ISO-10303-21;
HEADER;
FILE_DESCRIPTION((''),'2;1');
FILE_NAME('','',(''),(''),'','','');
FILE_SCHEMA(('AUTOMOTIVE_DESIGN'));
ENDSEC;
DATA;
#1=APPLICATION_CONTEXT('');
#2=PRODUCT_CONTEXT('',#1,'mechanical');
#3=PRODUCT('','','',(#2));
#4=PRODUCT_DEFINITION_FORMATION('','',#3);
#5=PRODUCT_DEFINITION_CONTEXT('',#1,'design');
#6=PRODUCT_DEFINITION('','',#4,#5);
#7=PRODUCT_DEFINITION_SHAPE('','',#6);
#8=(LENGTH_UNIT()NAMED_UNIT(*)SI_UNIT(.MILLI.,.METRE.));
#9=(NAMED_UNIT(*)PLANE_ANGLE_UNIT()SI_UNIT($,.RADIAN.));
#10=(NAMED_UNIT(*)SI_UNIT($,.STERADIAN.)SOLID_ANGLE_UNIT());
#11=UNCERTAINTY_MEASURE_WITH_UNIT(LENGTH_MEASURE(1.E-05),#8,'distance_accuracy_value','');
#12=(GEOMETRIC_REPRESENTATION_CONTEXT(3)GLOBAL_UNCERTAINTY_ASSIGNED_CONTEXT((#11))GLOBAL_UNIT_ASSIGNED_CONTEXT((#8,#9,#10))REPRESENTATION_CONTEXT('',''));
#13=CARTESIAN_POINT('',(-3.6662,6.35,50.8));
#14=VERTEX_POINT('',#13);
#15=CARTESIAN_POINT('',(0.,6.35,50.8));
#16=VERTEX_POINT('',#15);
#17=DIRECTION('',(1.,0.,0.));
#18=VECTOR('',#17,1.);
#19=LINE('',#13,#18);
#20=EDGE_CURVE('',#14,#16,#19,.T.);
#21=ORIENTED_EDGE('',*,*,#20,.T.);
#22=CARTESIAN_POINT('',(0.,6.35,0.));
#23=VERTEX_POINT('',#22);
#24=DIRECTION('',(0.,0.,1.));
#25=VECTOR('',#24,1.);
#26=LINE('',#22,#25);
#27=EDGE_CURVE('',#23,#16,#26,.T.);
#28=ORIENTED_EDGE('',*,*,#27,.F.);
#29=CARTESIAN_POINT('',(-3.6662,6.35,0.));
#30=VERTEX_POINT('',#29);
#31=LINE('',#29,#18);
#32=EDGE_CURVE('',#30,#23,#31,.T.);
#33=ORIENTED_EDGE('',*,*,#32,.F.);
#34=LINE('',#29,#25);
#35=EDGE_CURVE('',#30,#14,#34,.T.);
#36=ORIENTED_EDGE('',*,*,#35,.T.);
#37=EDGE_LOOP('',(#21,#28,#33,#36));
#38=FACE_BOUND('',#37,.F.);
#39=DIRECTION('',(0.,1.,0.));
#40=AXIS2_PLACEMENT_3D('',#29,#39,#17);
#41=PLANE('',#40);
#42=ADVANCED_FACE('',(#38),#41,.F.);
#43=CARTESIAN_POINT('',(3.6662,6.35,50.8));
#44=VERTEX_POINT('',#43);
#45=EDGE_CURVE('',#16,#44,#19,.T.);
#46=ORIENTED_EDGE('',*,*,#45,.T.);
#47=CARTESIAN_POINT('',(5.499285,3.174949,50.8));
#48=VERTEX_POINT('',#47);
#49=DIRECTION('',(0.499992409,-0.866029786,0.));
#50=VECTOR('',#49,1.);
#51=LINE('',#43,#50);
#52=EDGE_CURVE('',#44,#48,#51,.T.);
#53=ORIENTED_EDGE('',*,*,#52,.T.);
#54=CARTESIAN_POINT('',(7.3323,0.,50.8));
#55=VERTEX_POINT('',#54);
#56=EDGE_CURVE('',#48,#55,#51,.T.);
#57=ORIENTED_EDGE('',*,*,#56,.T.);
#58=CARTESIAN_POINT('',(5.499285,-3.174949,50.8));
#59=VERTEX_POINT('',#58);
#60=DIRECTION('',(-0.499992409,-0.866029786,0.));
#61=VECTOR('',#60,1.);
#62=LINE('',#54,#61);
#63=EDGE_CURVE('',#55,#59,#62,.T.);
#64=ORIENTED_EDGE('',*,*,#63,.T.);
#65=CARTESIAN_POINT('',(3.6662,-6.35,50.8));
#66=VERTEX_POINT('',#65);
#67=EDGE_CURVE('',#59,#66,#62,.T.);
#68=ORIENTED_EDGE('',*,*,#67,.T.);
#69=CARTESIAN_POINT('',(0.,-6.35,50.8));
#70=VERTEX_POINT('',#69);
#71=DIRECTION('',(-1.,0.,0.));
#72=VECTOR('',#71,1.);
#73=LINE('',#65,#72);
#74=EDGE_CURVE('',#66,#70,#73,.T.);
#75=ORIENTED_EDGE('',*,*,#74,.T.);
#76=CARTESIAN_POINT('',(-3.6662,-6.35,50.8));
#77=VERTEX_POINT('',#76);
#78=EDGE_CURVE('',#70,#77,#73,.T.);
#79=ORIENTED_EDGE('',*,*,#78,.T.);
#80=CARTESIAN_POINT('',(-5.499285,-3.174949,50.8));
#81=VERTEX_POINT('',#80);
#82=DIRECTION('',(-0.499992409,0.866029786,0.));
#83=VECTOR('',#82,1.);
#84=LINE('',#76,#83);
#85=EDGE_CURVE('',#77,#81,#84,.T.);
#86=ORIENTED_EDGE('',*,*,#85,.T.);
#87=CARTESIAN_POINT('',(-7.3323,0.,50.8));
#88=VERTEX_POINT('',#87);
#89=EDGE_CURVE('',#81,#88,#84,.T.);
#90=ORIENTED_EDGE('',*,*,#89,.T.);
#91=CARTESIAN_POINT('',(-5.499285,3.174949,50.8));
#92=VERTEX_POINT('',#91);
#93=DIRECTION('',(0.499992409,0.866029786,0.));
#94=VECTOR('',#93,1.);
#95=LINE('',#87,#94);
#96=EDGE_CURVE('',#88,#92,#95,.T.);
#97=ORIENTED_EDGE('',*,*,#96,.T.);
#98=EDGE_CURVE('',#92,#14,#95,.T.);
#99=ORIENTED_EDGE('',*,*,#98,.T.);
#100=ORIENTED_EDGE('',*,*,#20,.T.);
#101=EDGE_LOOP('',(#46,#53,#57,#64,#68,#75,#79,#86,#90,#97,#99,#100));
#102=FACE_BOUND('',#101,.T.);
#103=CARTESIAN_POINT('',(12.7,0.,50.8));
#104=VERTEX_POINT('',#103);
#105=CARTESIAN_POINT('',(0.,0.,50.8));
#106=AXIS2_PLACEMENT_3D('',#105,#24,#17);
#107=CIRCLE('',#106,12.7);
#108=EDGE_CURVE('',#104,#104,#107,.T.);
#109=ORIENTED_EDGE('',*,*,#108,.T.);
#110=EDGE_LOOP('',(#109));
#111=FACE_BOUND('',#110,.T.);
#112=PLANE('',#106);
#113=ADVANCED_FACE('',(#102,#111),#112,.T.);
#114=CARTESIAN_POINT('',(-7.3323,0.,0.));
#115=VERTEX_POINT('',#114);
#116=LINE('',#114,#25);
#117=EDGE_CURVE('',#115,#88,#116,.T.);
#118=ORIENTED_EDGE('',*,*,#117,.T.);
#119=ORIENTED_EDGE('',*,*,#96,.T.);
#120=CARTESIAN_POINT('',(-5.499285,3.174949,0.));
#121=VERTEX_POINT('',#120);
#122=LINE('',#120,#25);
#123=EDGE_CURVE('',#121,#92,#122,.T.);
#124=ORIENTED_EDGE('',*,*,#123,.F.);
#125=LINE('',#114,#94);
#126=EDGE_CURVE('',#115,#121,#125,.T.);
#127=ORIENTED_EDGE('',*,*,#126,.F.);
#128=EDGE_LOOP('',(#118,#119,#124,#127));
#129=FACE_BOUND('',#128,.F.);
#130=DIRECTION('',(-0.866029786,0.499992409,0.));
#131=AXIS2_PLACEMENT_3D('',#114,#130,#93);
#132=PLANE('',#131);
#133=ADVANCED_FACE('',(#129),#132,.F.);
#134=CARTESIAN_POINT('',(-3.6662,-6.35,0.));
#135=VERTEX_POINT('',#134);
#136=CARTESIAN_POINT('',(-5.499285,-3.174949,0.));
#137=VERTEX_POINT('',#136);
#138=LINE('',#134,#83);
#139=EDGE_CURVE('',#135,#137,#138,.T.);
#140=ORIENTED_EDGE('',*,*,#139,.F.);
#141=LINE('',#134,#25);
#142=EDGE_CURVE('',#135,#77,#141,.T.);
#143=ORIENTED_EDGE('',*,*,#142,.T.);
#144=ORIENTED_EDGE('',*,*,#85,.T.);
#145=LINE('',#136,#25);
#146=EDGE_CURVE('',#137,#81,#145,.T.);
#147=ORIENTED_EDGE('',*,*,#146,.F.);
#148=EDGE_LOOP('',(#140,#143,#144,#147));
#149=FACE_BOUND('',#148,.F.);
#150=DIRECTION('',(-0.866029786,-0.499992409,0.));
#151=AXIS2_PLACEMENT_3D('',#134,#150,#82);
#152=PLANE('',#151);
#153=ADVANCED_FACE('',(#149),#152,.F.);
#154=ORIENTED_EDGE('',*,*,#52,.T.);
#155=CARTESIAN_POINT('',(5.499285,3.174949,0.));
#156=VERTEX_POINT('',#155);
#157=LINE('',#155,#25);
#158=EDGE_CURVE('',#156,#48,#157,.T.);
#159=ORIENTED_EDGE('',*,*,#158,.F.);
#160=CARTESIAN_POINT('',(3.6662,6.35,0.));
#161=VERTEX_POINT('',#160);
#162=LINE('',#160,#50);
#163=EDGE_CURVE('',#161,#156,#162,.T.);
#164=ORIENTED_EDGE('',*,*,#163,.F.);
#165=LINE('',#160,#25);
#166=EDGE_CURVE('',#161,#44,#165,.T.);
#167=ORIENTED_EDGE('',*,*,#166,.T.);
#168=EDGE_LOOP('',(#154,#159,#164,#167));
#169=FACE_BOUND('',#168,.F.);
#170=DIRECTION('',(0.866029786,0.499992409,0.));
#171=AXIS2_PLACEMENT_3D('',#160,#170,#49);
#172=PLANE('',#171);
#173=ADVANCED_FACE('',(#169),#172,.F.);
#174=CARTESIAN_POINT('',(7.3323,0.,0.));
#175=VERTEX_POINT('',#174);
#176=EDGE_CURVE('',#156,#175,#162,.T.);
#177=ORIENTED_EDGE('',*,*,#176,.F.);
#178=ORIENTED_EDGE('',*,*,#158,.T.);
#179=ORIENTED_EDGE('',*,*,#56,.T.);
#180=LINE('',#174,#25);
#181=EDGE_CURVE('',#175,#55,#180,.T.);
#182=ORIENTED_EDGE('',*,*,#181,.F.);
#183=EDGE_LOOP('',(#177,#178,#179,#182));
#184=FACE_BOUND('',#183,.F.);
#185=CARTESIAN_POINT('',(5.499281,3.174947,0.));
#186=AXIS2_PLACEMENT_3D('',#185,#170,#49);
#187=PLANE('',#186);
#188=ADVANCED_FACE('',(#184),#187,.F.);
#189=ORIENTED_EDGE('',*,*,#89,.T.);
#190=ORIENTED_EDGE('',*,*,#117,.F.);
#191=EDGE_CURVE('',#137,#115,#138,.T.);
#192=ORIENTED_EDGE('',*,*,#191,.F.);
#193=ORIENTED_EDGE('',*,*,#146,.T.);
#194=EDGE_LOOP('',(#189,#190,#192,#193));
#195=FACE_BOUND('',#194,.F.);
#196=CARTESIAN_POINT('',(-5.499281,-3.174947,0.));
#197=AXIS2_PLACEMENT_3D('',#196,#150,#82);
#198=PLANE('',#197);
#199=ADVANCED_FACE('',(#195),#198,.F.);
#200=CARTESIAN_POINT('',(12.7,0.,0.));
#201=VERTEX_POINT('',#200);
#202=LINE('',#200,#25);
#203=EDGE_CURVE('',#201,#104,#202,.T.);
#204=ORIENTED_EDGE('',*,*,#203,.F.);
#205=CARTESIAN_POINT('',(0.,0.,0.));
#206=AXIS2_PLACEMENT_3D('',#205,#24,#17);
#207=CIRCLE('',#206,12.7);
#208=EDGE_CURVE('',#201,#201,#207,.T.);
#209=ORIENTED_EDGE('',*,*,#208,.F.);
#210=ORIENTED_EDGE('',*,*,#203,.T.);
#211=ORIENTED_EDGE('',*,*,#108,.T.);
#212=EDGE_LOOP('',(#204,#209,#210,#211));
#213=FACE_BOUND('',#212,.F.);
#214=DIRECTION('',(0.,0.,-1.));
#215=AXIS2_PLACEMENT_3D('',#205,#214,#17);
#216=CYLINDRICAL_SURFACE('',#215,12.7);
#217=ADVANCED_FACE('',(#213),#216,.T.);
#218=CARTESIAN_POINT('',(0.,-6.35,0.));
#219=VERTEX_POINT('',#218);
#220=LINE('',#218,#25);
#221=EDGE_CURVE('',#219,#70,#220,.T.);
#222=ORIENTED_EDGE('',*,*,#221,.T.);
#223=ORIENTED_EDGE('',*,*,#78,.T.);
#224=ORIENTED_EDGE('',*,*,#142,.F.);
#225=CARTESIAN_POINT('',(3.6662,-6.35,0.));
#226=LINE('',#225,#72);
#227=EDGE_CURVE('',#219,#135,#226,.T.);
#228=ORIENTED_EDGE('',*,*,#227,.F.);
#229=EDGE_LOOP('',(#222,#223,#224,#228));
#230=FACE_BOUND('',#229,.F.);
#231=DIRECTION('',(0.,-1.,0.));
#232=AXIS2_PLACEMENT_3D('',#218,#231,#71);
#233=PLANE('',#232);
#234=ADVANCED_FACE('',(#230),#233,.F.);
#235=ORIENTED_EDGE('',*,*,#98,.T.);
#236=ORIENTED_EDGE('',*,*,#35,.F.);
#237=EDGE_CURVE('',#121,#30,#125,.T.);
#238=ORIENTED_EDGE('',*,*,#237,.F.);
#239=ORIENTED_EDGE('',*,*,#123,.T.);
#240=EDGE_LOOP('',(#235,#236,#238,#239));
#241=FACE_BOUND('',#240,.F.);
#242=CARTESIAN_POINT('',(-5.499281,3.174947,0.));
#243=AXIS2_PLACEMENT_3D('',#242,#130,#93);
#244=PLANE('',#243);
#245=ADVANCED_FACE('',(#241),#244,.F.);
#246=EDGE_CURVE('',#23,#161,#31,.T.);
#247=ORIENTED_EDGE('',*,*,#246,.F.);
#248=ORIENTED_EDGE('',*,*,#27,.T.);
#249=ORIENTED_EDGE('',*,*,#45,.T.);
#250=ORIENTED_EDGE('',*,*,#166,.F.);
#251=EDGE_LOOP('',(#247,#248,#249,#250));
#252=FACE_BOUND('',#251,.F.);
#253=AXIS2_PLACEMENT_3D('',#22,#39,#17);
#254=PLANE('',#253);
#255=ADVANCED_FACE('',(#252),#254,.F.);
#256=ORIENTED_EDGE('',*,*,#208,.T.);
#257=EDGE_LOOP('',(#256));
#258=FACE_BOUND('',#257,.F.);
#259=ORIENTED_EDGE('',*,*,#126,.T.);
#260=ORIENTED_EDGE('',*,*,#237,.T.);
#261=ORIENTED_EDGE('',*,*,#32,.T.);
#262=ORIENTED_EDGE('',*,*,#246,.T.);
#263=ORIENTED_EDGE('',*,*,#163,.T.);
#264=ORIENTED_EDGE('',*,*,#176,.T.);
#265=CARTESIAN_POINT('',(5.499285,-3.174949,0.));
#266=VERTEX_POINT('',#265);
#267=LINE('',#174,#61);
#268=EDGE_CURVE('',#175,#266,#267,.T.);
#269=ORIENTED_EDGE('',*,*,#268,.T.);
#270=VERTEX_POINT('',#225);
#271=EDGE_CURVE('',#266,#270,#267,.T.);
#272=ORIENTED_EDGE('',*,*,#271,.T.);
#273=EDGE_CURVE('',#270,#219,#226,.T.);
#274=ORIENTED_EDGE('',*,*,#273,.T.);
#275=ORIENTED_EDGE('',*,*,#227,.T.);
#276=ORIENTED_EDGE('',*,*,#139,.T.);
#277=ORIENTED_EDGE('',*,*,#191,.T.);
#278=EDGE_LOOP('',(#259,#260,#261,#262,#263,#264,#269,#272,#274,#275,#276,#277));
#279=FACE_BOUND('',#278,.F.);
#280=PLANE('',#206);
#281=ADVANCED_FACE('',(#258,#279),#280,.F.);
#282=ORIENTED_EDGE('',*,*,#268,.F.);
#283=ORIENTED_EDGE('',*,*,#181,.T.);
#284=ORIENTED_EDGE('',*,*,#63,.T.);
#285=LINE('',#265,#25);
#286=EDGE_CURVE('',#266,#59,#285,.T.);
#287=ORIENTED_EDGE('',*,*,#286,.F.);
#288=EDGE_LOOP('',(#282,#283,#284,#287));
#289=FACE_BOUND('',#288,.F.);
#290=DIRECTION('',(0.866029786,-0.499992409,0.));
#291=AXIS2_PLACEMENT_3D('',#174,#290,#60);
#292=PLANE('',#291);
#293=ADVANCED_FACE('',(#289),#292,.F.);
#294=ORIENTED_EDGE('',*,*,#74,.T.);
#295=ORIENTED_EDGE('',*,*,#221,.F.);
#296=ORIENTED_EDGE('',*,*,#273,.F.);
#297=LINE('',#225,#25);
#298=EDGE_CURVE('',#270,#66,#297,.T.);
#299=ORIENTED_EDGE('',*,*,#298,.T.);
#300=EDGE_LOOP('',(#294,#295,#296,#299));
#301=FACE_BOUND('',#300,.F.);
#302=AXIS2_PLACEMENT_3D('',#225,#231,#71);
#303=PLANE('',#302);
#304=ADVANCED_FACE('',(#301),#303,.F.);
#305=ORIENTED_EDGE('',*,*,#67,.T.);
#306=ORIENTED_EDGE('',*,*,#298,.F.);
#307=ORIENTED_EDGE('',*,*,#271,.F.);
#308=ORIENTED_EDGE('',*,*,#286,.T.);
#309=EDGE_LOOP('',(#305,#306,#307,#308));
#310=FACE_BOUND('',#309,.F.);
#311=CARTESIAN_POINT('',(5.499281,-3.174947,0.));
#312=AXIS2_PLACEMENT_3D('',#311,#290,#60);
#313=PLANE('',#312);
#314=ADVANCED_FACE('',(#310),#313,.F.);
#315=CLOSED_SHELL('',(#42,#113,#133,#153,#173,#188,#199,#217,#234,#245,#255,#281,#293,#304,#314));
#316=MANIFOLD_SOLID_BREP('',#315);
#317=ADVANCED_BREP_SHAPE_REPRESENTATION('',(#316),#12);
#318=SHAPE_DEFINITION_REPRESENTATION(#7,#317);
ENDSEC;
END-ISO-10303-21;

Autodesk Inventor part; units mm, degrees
ref_plane "YZ Plane" through (0, 0, 0) normal (1, 0, 0) x (0, 1, 0)
ref_plane "XZ Plane" through (0, 0, 0) normal (0, 1, 0) x (-1, 0, 0)
ref_plane "XY Plane" through (0, 0, 0) normal (0, 0, 1) x (1, 0, 0)
sketch "Sketch1" plane through (0, 0, 0) normal (0, 0, 1) x (1, 0, 0)
  circle A0 centre (0, 0) radius 6.35
  line L0 (3.6662, 6.35) -> (7.3323, 0)
  line L1 (7.3323, 0) -> (3.6662, -6.35)
  line L2 (3.6662, -6.35) -> (-3.6662, -6.35)
  line L3 (-3.6662, -6.35) -> (-7.3323, 0)
  line L4 (-7.3323, 0) -> (-3.6662, 6.35)
  line L5 (-3.6662, 6.35) -> (3.6662, 6.35)
  circle A1 centre (0, 0) radius 12.7
  point P0 (0, 6.35)
  dimension "d0" = 12.7
  dimension "d1" = 25.4
extrude "Extrusion1" add sketch "Sketch1" along normal blind 50.8
properties part number "4-bar intake (2'') spacer"
